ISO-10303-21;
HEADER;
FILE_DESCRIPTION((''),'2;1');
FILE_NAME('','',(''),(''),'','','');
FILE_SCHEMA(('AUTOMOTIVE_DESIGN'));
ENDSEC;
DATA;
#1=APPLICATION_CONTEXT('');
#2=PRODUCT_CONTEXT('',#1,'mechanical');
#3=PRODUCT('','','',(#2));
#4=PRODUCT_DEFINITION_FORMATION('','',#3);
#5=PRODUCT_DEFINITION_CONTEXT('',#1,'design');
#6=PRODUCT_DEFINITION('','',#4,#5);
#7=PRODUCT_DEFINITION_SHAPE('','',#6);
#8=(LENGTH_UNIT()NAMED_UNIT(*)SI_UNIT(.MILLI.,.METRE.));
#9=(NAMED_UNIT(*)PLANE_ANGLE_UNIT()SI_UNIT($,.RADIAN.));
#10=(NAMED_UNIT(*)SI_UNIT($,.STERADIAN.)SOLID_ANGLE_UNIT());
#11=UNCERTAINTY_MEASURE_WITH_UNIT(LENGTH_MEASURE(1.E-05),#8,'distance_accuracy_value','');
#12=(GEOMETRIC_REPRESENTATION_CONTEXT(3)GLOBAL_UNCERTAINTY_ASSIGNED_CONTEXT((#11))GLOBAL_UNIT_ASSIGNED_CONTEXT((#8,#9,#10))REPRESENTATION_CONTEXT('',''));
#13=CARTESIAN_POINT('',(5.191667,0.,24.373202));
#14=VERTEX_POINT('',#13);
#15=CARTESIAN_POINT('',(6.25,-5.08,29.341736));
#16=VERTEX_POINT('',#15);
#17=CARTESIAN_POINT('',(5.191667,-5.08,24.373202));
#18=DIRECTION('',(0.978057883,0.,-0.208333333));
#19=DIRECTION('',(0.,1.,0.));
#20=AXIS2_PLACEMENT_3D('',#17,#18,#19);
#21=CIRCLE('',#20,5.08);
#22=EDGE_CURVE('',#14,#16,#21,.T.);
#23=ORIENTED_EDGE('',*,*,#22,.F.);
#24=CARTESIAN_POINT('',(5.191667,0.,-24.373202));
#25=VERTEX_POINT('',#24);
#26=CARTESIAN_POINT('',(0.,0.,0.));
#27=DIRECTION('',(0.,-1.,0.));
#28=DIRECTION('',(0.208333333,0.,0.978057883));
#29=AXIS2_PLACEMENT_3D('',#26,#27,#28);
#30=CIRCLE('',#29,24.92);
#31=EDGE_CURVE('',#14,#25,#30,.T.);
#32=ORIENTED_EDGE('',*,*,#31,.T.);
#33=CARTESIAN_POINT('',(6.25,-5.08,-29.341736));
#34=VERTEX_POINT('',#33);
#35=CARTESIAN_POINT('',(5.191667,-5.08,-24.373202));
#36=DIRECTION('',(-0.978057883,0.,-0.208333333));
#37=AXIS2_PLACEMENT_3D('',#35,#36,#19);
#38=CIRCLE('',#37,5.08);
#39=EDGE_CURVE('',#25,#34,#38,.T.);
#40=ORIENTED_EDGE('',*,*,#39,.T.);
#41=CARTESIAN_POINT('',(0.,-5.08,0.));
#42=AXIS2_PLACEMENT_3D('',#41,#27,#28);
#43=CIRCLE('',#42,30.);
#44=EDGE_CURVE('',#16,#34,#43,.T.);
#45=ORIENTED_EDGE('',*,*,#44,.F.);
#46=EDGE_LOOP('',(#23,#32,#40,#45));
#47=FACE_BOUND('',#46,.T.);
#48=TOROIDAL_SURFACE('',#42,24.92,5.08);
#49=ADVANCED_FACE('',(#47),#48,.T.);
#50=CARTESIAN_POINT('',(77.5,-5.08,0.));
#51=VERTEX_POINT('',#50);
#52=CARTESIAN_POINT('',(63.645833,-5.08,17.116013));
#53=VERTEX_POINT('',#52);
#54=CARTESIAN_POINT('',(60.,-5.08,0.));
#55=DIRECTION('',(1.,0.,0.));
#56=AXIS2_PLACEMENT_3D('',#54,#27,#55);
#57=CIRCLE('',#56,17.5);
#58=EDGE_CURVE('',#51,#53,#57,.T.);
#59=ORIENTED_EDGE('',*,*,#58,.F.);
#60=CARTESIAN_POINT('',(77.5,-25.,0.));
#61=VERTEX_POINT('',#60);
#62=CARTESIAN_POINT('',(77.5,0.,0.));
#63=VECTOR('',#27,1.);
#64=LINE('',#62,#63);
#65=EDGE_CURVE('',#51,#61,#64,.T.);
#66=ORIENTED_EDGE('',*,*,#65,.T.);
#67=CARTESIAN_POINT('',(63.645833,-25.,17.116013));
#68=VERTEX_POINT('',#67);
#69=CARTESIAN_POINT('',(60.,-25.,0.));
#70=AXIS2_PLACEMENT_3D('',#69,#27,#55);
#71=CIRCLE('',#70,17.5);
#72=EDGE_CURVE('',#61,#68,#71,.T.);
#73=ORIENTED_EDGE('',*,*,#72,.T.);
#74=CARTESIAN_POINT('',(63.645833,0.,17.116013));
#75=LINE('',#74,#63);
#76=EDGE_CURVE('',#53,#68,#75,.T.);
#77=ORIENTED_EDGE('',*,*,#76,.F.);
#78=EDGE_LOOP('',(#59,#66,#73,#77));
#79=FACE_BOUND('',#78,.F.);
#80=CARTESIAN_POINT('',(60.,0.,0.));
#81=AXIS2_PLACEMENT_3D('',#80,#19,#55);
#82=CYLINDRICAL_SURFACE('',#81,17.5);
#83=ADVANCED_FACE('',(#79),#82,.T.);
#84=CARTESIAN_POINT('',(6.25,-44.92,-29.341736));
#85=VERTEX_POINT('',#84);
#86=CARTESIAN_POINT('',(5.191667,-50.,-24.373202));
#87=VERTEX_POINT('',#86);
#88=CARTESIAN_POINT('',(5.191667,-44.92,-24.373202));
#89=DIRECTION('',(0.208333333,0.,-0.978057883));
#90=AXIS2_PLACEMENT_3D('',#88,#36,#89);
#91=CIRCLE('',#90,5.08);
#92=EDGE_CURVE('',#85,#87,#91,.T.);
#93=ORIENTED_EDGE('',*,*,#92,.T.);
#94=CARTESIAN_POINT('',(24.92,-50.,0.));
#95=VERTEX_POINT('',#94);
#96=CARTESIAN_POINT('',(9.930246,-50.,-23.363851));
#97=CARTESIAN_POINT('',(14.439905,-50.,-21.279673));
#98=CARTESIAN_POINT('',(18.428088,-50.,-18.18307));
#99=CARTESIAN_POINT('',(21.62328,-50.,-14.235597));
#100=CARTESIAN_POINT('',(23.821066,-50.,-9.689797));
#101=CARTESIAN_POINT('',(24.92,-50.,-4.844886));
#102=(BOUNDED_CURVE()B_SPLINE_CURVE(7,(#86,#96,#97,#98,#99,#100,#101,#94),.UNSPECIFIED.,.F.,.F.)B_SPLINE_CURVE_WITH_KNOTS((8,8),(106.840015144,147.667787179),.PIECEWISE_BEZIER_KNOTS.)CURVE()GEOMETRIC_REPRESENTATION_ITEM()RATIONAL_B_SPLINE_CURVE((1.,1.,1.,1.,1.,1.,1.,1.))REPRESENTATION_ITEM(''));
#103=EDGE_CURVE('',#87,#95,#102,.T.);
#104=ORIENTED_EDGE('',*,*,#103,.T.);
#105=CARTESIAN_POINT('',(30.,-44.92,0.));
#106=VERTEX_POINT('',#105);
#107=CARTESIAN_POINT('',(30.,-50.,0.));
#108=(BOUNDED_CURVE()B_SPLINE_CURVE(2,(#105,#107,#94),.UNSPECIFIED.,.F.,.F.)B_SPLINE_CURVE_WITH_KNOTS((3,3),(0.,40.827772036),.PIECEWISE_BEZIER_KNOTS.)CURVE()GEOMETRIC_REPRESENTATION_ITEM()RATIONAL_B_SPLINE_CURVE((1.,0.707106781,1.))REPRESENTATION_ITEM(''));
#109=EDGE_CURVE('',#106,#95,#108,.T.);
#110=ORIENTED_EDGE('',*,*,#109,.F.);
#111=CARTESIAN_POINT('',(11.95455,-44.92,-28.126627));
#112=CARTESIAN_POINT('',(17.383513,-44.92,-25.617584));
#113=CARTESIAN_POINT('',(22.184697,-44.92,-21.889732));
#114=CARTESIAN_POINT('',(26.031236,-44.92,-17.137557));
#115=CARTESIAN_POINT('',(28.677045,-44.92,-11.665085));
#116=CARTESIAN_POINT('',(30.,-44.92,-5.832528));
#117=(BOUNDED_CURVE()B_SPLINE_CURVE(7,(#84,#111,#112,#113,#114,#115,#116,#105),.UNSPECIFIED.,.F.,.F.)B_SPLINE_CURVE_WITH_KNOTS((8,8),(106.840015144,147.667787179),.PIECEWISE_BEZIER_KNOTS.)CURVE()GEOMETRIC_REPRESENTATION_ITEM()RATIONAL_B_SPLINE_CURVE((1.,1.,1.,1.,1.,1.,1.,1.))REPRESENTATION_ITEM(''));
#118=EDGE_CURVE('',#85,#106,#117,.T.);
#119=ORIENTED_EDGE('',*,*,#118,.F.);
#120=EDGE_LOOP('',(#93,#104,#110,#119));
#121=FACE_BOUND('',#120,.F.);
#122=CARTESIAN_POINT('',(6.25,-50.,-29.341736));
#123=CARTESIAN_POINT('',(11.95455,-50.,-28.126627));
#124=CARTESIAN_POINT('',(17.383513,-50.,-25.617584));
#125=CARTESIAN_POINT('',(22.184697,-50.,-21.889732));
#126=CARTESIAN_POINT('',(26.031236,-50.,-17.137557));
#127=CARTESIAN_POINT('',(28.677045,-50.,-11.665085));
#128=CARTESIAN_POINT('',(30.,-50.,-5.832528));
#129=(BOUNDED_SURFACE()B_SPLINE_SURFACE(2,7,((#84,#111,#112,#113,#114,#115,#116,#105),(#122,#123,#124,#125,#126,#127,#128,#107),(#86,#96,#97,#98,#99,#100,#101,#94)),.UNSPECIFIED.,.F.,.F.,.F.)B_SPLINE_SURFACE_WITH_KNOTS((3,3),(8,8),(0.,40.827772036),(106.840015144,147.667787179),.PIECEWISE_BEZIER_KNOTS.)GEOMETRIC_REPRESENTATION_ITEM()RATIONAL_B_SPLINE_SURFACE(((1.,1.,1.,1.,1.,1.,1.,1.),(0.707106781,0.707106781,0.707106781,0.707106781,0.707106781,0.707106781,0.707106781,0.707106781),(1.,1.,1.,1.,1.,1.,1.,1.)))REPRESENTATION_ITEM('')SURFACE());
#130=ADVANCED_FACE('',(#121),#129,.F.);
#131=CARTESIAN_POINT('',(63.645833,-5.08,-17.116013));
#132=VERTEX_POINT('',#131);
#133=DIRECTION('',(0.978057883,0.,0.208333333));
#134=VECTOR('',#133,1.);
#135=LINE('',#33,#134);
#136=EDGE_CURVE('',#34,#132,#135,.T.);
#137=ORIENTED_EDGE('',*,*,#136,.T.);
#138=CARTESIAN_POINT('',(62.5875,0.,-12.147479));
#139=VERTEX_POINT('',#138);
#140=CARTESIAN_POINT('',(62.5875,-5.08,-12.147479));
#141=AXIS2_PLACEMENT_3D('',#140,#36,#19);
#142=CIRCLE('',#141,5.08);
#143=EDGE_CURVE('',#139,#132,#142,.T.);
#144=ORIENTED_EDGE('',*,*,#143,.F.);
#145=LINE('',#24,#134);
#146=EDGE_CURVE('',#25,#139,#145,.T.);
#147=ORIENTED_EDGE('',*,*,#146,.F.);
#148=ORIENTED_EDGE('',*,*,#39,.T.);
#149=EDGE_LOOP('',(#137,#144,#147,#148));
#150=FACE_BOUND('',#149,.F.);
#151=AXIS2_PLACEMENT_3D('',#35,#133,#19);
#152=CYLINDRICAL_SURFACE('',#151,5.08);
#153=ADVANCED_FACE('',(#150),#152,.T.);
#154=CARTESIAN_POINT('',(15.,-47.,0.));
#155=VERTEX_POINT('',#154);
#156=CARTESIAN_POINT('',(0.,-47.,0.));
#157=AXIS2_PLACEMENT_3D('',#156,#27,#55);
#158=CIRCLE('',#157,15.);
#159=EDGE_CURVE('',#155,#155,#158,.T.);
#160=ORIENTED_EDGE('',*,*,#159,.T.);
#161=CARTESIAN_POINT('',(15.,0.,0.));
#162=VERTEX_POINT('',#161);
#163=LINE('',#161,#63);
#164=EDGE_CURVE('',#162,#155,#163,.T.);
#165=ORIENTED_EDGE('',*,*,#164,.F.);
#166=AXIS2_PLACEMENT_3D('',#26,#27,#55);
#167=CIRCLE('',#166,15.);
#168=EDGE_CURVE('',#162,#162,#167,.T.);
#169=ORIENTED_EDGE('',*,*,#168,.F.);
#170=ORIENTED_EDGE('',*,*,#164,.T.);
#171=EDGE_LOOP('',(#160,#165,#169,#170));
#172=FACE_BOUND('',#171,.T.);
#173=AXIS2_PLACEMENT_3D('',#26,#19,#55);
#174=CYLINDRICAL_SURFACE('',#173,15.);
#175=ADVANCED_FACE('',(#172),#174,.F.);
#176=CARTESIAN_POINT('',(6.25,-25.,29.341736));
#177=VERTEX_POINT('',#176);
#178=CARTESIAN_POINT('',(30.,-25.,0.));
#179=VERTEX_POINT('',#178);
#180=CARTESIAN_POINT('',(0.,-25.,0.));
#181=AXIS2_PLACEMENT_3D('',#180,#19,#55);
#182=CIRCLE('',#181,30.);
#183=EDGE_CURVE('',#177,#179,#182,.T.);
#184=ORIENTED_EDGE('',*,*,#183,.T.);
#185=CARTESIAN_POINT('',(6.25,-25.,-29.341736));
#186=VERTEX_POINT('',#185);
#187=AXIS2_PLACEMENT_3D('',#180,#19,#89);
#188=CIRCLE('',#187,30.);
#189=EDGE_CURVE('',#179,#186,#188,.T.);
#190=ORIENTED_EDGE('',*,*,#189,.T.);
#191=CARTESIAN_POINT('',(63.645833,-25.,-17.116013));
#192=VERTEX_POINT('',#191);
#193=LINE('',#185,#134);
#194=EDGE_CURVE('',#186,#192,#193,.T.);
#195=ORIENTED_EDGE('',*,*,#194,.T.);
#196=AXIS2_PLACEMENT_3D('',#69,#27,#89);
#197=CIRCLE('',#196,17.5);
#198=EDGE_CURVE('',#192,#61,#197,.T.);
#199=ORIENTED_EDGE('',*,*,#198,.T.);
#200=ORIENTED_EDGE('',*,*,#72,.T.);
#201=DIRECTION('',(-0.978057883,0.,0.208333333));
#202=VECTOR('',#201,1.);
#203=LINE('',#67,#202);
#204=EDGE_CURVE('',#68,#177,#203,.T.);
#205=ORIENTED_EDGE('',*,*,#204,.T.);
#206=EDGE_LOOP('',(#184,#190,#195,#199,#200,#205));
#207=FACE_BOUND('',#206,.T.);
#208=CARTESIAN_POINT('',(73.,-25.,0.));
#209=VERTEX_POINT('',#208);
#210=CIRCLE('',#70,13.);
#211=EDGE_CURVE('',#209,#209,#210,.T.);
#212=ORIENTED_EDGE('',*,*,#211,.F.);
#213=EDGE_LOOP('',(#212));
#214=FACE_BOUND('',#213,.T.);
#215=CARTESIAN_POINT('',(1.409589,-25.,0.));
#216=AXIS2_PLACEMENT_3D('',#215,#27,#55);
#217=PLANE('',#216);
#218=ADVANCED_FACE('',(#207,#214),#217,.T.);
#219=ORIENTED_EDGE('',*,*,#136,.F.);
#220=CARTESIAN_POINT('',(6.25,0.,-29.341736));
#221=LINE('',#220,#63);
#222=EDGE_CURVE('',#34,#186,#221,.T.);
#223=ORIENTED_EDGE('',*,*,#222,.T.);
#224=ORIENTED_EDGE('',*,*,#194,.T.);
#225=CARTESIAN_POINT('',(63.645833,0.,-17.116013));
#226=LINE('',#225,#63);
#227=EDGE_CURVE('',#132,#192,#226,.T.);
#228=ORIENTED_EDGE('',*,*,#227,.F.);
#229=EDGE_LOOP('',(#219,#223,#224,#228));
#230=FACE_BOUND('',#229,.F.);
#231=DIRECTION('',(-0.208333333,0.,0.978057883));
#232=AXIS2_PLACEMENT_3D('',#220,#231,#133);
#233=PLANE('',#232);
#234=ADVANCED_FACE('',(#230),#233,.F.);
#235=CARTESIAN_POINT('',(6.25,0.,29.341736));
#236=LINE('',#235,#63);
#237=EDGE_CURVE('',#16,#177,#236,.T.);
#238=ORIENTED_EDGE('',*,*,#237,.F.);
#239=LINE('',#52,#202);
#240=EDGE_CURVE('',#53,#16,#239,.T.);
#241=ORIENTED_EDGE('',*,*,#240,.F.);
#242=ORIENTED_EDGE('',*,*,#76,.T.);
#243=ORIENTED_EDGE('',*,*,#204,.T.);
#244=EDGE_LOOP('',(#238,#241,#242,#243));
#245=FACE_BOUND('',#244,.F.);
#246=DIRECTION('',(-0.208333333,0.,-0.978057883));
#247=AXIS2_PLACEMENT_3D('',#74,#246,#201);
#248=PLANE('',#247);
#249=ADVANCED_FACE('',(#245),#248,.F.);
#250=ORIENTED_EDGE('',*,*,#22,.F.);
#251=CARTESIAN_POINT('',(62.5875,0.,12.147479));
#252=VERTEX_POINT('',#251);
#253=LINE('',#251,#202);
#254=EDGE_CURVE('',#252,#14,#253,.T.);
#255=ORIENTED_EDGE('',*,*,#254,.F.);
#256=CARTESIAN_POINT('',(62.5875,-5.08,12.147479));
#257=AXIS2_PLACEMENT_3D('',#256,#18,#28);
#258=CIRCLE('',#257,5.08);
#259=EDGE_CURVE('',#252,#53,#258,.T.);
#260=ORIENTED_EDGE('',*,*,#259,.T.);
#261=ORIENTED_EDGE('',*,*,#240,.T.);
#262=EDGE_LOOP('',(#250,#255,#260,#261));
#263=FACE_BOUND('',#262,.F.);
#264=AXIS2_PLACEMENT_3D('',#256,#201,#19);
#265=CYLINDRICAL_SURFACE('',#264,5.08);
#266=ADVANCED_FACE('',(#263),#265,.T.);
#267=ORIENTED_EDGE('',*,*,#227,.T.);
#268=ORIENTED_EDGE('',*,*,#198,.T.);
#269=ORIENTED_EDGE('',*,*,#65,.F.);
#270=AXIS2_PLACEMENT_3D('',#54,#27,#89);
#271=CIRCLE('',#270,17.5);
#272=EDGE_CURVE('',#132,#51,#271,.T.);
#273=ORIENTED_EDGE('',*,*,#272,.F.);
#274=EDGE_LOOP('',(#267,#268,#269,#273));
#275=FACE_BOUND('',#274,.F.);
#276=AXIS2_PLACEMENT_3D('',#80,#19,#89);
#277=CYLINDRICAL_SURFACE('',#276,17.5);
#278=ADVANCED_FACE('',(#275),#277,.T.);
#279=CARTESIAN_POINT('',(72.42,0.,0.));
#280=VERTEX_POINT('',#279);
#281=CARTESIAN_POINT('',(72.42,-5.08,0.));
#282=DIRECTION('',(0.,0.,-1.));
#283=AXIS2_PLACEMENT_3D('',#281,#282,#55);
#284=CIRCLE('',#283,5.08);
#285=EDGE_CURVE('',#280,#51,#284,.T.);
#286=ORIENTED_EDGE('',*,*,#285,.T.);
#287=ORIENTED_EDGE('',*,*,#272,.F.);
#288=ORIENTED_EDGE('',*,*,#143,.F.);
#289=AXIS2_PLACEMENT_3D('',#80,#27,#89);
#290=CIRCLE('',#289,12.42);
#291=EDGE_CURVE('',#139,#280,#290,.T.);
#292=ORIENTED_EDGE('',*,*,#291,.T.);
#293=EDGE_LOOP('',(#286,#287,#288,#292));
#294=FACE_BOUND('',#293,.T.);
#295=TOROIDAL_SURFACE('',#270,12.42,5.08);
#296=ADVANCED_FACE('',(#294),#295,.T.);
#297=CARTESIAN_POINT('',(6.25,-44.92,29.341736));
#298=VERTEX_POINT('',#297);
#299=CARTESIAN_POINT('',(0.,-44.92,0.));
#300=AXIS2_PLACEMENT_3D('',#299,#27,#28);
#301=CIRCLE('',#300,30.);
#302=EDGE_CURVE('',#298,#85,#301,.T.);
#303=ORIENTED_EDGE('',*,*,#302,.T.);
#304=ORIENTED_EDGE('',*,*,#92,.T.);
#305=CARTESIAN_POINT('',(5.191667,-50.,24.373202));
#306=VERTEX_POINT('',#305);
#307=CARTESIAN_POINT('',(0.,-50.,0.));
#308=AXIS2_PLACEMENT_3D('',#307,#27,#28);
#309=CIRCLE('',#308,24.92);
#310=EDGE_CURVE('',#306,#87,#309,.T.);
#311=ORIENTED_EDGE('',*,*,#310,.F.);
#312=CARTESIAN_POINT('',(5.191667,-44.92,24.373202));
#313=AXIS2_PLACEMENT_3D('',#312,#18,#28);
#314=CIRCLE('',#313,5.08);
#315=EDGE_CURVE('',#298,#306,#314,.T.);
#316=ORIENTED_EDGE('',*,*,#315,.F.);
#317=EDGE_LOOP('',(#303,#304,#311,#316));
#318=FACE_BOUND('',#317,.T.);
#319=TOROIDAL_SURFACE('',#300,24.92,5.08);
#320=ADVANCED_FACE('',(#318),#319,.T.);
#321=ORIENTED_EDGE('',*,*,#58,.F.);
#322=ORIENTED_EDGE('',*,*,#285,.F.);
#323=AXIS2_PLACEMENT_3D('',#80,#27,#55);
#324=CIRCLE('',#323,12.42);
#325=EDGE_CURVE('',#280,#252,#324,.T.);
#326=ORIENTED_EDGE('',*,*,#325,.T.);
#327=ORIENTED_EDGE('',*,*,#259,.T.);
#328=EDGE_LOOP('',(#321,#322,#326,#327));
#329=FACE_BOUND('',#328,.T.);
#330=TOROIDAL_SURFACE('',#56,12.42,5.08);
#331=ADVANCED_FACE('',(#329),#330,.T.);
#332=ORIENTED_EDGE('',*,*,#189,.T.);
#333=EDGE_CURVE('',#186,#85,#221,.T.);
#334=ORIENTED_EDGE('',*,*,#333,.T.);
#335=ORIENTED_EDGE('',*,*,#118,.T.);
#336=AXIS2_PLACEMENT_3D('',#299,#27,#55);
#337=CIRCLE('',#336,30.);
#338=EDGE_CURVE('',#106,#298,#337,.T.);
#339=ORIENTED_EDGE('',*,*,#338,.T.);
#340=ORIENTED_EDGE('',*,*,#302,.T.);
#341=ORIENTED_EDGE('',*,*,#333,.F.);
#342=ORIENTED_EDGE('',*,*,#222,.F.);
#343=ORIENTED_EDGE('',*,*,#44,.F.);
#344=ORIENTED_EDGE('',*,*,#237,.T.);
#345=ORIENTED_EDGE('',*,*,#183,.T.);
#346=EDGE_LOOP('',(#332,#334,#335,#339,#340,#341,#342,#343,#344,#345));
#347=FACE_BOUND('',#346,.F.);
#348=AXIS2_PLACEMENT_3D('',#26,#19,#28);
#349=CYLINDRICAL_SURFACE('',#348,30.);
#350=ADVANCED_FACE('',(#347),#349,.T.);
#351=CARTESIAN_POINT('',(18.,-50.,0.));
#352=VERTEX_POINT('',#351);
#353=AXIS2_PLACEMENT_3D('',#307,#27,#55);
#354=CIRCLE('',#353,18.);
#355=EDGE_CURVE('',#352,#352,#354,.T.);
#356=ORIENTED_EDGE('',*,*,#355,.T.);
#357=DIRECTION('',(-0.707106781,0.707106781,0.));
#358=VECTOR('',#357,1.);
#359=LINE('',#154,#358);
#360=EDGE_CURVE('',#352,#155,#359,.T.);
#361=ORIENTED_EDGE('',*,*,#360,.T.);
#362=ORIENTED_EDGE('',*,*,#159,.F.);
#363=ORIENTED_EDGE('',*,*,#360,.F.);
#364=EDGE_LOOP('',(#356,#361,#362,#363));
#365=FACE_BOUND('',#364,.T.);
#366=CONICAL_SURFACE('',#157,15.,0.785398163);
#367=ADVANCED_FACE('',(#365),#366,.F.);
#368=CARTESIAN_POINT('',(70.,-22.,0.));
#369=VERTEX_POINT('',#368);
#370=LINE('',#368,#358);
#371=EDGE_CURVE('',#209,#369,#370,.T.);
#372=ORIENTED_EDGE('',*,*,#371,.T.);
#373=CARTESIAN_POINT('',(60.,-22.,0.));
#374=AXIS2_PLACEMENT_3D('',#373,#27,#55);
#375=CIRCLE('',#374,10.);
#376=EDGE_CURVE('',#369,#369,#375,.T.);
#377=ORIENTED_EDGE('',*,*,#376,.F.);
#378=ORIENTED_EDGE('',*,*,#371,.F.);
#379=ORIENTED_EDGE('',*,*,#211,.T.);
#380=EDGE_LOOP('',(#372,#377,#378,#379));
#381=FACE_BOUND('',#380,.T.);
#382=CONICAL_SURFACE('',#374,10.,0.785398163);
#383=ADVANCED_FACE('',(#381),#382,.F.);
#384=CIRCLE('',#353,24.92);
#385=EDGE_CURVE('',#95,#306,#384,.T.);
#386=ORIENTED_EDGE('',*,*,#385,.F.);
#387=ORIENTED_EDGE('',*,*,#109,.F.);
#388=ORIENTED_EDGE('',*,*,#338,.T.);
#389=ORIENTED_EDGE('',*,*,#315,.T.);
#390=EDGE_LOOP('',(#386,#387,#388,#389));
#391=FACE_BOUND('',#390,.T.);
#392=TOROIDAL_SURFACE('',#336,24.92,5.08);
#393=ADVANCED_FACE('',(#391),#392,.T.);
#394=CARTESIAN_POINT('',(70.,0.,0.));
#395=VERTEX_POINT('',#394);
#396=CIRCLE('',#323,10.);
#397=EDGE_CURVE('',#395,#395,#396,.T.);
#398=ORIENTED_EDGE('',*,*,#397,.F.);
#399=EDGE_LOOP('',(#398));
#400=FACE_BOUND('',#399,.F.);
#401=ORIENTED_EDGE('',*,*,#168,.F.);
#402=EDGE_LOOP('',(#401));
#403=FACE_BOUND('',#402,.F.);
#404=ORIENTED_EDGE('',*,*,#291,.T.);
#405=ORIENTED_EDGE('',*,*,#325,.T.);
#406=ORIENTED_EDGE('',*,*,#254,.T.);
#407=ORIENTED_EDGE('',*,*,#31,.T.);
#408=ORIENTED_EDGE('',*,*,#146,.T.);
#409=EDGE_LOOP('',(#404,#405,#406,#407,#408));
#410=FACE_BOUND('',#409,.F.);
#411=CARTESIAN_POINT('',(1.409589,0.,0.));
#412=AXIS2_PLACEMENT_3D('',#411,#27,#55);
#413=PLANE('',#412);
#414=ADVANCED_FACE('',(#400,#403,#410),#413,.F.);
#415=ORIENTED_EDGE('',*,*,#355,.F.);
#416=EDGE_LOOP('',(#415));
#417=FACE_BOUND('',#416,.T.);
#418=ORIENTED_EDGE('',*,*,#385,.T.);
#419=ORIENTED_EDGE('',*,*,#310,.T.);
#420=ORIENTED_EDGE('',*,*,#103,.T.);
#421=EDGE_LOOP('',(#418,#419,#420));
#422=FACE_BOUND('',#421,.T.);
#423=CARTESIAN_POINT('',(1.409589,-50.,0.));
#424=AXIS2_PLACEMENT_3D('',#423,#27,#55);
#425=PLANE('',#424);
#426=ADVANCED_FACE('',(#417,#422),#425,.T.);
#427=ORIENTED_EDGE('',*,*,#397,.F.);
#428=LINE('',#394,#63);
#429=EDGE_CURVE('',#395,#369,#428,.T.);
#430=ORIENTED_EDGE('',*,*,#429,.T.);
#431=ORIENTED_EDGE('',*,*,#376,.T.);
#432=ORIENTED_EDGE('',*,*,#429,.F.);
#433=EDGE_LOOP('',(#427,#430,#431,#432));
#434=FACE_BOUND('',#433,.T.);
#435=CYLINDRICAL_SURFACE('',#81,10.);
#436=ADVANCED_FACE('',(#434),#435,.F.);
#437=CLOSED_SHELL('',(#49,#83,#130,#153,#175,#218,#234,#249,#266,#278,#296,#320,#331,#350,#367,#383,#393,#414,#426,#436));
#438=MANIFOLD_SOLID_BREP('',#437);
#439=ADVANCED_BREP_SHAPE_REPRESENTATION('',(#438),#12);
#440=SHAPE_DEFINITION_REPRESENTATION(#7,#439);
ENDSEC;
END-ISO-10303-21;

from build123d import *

# Parameters (mm, degrees)
F0_R     = 15
F0_R_2   = 10
F1_DEPTH = 25
F2_DEPTH = 50
F3_R     = 5.08
F4_SIZE  = 3


with BuildPart() as f1:
    # F0 (on Front) → F1 (new body)
    with BuildSketch(Plane.XZ):
        with BuildLine():
            ThreePointArc((6.25, -29.3417364858), (23.3184476327, -18.8745860882), (30, 0))
            ThreePointArc((30, 0), (23.3184476327, 18.8745860882), (6.25, 29.3417364858))
            ThreePointArc((6.25, 29.3417364858), (-30, 0), (6.25, -29.3417364858))
        make_face()
        Circle(F0_R, mode=Mode.SUBTRACT)
        with BuildLine():
            ThreePointArc((6.25, 29.3417364858), (23.3184476327, 18.8745860882), (30, 0))
            ThreePointArc((30, 0), (23.3184476327, -18.8745860882), (6.25, -29.3417364858))
            Line((6.25, -29.3417364858), (63.6458333333, -17.11601295))
            ThreePointArc((63.6458333333, -17.11601295), (42.5, 0), (63.6458333333, 17.11601295))
            Line((63.6458333333, 17.11601295), (6.25, 29.3417364858))
        make_face()
        with BuildLine():
            ThreePointArc((77.5, 0), (73.6024277858, 11.0101752181), (63.6458333333, 17.11601295))
            ThreePointArc((63.6458333333, 17.11601295), (42.5, 0), (63.6458333333, -17.11601295))
            ThreePointArc((63.6458333333, -17.11601295), (73.6024277858, -11.0101752181), (77.5, 0))
        make_face()
        with Locations((60, 0)):
            Circle(F0_R_2, mode=Mode.SUBTRACT)
    extrude(amount=F1_DEPTH)

    # F0 (on Front) → F2 (join)
    with BuildSketch(Plane.XZ):
        with BuildLine():
            ThreePointArc((6.25, -29.3417364858), (23.3184476327, -18.8745860882), (30, 0))
            ThreePointArc((30, 0), (23.3184476327, 18.8745860882), (6.25, 29.3417364858))
            ThreePointArc((6.25, 29.3417364858), (-30, 0), (6.25, -29.3417364858))
        make_face()
        Circle(F0_R, mode=Mode.SUBTRACT)
    extrude(amount=F2_DEPTH)

    # F3
    f3_edges = [f1.edges().sort_by_distance(p)[0] for p in [
        (34.947917, 0, -23.228875),
        (-6.25, -50, 29.341736),
    ]]
    fillet(f3_edges, radius=F3_R)

    # F4
    f4_edges = [f1.edges().sort_by_distance(p)[0] for p in [
        (-15, -50, 0),
        (-5.191667, -50, 24.373202),
        (50, -25, 0),
    ]]
    chamfer(f4_edges, length=F4_SIZE)


solid = f1.part
